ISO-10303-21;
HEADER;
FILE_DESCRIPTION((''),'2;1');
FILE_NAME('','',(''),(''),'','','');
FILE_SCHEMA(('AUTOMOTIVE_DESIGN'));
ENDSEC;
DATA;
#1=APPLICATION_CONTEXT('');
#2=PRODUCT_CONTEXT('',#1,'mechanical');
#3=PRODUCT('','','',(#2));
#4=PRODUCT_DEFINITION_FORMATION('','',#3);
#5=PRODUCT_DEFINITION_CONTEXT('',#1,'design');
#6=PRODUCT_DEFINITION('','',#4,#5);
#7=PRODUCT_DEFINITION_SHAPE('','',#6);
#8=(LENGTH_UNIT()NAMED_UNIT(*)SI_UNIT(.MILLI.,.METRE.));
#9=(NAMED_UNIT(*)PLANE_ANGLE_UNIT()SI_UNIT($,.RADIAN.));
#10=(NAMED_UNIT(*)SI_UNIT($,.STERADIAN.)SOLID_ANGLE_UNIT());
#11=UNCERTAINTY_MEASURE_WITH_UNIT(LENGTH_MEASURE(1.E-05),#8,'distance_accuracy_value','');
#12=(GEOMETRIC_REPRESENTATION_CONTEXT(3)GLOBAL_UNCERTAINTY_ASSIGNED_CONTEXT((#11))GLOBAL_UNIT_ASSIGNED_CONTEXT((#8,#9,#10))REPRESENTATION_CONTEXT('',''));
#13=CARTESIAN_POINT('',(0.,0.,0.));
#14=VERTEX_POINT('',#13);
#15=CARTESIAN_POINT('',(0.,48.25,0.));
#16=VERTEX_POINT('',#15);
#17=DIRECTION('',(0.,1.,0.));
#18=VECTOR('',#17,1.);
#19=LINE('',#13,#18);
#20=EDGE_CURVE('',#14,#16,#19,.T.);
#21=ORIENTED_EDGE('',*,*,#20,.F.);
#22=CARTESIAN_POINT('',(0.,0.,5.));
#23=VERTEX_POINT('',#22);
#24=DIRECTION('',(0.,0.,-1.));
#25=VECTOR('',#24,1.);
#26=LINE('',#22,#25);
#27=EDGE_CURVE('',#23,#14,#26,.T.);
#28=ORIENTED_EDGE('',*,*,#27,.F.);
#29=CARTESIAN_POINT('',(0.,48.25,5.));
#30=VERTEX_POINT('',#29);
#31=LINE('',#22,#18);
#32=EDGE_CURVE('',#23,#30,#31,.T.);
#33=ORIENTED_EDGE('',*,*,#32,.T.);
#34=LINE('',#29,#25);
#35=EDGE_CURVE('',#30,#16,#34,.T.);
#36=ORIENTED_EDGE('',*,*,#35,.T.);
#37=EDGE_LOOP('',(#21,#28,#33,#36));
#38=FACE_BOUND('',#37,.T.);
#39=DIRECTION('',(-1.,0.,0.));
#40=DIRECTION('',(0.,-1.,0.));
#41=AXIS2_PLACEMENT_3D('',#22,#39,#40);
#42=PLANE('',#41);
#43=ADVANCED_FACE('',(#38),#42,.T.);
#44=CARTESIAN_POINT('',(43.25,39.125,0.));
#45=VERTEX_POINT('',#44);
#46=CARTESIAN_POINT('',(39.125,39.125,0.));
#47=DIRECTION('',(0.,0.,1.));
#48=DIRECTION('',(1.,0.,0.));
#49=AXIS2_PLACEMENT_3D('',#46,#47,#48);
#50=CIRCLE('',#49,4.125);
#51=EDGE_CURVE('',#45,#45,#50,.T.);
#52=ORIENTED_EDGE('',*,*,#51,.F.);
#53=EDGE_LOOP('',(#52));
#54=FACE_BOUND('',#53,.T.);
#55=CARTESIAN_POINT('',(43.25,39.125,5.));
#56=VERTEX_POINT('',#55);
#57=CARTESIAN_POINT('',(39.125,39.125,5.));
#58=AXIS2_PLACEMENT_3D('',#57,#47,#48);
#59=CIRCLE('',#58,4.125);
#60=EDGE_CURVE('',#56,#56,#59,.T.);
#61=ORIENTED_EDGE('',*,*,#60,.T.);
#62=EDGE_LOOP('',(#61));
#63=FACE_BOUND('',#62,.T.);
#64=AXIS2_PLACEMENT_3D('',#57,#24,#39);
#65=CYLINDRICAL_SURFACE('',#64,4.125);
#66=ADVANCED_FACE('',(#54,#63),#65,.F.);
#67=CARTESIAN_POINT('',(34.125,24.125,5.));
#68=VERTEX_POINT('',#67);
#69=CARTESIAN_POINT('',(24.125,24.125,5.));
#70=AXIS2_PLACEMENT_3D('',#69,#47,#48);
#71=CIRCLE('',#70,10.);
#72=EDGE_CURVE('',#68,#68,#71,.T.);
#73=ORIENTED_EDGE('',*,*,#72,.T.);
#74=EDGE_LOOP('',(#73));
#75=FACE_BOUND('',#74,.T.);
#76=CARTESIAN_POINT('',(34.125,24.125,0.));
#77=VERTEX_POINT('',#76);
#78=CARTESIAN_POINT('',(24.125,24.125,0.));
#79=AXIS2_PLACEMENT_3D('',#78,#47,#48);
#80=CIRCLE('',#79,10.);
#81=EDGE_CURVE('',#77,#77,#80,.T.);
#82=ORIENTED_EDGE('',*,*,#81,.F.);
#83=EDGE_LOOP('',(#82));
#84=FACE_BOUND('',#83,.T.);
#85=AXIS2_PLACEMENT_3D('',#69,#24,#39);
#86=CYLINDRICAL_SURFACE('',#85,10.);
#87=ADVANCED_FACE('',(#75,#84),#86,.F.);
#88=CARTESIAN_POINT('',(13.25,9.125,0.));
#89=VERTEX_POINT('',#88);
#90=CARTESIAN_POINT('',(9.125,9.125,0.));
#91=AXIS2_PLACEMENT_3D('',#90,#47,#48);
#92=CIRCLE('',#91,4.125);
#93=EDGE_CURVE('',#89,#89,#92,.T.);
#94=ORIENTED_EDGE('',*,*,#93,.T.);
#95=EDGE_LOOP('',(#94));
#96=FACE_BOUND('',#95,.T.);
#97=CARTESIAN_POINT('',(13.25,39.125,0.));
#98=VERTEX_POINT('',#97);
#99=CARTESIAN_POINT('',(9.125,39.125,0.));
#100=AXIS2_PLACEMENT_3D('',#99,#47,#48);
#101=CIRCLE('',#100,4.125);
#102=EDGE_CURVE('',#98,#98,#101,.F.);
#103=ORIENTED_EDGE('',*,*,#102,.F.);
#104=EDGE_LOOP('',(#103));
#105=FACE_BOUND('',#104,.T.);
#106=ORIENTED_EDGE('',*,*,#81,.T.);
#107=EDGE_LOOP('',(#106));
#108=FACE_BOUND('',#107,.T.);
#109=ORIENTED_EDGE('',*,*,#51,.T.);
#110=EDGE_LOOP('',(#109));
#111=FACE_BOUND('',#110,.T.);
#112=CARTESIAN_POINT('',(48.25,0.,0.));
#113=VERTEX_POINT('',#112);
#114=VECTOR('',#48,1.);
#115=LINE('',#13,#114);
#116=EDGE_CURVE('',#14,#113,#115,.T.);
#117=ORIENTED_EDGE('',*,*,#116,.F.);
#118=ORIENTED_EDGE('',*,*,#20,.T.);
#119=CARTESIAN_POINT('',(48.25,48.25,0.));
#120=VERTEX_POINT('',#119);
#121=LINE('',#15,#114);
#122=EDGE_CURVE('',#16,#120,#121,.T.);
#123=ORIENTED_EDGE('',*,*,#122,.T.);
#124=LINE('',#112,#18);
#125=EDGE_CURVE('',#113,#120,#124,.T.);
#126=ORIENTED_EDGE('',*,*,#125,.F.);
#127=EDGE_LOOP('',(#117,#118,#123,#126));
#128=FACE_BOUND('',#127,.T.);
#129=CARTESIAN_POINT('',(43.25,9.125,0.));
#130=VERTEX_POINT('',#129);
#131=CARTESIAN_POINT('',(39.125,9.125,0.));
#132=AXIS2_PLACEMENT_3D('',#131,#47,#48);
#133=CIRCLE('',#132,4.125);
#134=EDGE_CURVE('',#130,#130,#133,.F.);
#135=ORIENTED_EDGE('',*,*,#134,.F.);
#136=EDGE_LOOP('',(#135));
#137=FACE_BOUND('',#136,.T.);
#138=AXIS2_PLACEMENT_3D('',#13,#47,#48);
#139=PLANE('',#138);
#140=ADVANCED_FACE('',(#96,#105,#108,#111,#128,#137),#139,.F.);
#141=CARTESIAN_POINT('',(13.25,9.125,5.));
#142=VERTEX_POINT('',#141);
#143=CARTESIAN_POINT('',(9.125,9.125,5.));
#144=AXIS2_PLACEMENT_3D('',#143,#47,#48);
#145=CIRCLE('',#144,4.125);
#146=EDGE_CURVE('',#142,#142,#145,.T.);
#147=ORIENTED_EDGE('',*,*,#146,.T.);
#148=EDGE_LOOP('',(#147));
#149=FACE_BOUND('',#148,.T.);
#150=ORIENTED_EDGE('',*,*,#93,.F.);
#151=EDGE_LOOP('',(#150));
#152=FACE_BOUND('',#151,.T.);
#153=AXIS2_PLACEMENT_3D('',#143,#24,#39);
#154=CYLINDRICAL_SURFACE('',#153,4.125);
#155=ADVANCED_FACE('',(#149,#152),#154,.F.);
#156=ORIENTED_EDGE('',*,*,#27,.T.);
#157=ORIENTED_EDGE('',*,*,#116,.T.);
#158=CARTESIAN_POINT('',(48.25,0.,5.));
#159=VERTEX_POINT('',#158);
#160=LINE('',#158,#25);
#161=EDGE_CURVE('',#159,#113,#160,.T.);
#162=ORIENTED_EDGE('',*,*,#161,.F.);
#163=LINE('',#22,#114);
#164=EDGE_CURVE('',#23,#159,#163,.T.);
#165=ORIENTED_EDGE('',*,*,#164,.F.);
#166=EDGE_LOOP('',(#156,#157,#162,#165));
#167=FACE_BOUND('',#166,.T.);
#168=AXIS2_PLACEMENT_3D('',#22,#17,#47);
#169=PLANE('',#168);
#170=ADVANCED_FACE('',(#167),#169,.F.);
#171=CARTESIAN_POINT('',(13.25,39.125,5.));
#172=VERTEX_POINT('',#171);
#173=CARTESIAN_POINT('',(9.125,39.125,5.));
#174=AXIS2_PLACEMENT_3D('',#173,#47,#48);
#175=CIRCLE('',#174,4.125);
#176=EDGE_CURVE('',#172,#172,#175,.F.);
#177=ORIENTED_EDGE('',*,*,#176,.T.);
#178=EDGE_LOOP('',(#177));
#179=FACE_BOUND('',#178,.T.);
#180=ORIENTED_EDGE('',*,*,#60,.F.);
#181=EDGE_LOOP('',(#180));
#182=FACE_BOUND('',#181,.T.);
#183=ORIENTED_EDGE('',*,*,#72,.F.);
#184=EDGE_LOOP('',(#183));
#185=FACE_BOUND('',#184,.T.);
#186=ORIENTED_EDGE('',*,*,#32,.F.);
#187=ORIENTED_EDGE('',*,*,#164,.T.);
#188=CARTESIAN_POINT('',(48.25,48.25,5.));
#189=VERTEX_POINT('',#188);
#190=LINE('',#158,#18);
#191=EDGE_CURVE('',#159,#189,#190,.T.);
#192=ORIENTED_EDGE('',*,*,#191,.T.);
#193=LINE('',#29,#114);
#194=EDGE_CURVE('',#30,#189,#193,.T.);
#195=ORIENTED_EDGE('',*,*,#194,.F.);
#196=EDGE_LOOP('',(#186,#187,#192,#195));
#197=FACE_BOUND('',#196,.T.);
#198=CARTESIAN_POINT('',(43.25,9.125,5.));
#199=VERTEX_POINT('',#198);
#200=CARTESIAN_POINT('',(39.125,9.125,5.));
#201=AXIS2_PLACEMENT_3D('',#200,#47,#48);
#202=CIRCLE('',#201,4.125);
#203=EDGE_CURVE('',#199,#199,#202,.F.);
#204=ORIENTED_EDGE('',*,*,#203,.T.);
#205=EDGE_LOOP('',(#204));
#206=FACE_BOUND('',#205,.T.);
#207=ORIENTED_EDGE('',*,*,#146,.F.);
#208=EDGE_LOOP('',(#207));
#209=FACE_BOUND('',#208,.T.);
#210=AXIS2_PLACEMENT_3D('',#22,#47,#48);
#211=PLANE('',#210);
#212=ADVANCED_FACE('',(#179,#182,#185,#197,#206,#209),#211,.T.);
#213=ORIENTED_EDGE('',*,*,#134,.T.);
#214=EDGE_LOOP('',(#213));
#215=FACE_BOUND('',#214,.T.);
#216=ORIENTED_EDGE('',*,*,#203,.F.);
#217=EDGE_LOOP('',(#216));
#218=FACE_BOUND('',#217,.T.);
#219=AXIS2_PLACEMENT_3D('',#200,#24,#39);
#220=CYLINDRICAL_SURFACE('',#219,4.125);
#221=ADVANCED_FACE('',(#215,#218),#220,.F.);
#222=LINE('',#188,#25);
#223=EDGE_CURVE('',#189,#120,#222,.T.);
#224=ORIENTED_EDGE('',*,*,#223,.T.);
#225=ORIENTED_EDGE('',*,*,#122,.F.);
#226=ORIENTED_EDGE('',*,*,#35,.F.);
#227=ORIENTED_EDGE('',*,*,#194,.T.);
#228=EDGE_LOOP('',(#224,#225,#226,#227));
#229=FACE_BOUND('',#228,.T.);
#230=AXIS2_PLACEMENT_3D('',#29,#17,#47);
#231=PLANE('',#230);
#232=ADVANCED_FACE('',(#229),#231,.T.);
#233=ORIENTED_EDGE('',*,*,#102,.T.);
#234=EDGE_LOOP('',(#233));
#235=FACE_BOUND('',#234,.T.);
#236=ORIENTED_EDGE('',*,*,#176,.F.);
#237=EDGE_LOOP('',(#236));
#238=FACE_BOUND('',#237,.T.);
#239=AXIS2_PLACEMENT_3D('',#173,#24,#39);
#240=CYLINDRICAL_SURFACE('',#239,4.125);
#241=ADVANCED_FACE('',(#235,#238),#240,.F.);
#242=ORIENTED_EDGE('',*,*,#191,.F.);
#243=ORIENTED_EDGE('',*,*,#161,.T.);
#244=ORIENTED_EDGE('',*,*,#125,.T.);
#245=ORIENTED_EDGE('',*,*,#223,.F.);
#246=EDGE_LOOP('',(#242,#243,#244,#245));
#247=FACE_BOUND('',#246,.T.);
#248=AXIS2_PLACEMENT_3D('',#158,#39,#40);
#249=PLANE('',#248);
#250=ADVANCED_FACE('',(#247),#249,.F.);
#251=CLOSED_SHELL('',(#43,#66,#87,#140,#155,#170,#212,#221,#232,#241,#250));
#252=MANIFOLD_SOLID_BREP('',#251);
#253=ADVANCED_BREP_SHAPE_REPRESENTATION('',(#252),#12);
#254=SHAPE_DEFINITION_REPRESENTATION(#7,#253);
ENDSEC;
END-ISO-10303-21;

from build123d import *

# Parameters (mm, degrees)
SKETCH1_W           = 48.25
SKETCH1_H           = 48.25
SKETCH1_R           = 10
SKETCH1_R_2         = 4.125
BOSS_EXTRUDE1_DEPTH = 5


with BuildPart() as part:
    # Sketch1 → Boss-Extrude1 (new body)
    # profile 1 of 5: a face of its own
    with BuildSketch(Plane.XY):
        with Locations((24.125, 24.125)):
            Rectangle(SKETCH1_W, SKETCH1_H)
        with Locations((24.125, 24.125)):
            Circle(SKETCH1_R, mode=Mode.SUBTRACT)
        Polygon((34.895909278, 1.8), (30.666818556, 9.125), (34.895909278, 16.45), (43.354090722, 16.45), (47.583181444, 9.125), (43.354090722, 1.8), align=None, mode=Mode.SUBTRACT)
        Polygon((13.354090722, 1.8), (17.583181444, 9.125), (13.354090722, 16.45), (4.895909278, 16.45), (0.666818556, 9.125), (4.895909278, 1.8), align=None, mode=Mode.SUBTRACT)
        Polygon((34.895909278, 31.8), (43.354090722, 31.8), (47.583181444, 39.125), (43.354090722, 46.45), (34.895909278, 46.45), (30.666818556, 39.125), align=None, mode=Mode.SUBTRACT)
        Polygon((17.583181444, 39.125), (13.354090722, 31.8), (4.895909278, 31.8), (0.666818556, 39.125), (4.895909278, 46.45), (13.354090722, 46.45), align=None, mode=Mode.SUBTRACT)
    # profile 2 of 5: a face of its own
    with BuildSketch(Plane.XY):
        Polygon((30.666818556, 39.125), (34.895909278, 31.8), (43.354090722, 31.8), (47.583181444, 39.125), (43.354090722, 46.45), (34.895909278, 46.45), align=None)
        with Locations((39.125, 39.125)):
            Circle(SKETCH1_R_2, mode=Mode.SUBTRACT)
    # profile 3 of 5: a face of its own
    with BuildSketch(Plane.XY):
        Polygon((30.666818556, 9.125), (34.895909278, 16.45), (43.354090722, 16.45), (47.583181444, 9.125), (43.354090722, 1.8), (34.895909278, 1.8), align=None)
        with Locations((39.125, 9.125)):
            Circle(SKETCH1_R_2, mode=Mode.SUBTRACT)
    # profile 4 of 5: a face of its own
    with BuildSketch(Plane.XY):
        Polygon((4.895909278, 1.8), (13.354090722, 1.8), (17.583181444, 9.125), (13.354090722, 16.45), (4.895909278, 16.45), (0.666818556, 9.125), align=None)
        with Locations((9.125, 9.125)):
            Circle(SKETCH1_R_2, mode=Mode.SUBTRACT)
    # profile 5 of 5: a face of its own
    with BuildSketch(Plane.XY):
        Polygon((13.354090722, 31.8), (4.895909278, 31.8), (0.666818556, 39.125), (4.895909278, 46.45), (13.354090722, 46.45), (17.583181444, 39.125), align=None)
        with Locations((9.125, 39.125)):
            Circle(SKETCH1_R_2, mode=Mode.SUBTRACT)
    extrude(amount=BOSS_EXTRUDE1_DEPTH)


solid = part.part
